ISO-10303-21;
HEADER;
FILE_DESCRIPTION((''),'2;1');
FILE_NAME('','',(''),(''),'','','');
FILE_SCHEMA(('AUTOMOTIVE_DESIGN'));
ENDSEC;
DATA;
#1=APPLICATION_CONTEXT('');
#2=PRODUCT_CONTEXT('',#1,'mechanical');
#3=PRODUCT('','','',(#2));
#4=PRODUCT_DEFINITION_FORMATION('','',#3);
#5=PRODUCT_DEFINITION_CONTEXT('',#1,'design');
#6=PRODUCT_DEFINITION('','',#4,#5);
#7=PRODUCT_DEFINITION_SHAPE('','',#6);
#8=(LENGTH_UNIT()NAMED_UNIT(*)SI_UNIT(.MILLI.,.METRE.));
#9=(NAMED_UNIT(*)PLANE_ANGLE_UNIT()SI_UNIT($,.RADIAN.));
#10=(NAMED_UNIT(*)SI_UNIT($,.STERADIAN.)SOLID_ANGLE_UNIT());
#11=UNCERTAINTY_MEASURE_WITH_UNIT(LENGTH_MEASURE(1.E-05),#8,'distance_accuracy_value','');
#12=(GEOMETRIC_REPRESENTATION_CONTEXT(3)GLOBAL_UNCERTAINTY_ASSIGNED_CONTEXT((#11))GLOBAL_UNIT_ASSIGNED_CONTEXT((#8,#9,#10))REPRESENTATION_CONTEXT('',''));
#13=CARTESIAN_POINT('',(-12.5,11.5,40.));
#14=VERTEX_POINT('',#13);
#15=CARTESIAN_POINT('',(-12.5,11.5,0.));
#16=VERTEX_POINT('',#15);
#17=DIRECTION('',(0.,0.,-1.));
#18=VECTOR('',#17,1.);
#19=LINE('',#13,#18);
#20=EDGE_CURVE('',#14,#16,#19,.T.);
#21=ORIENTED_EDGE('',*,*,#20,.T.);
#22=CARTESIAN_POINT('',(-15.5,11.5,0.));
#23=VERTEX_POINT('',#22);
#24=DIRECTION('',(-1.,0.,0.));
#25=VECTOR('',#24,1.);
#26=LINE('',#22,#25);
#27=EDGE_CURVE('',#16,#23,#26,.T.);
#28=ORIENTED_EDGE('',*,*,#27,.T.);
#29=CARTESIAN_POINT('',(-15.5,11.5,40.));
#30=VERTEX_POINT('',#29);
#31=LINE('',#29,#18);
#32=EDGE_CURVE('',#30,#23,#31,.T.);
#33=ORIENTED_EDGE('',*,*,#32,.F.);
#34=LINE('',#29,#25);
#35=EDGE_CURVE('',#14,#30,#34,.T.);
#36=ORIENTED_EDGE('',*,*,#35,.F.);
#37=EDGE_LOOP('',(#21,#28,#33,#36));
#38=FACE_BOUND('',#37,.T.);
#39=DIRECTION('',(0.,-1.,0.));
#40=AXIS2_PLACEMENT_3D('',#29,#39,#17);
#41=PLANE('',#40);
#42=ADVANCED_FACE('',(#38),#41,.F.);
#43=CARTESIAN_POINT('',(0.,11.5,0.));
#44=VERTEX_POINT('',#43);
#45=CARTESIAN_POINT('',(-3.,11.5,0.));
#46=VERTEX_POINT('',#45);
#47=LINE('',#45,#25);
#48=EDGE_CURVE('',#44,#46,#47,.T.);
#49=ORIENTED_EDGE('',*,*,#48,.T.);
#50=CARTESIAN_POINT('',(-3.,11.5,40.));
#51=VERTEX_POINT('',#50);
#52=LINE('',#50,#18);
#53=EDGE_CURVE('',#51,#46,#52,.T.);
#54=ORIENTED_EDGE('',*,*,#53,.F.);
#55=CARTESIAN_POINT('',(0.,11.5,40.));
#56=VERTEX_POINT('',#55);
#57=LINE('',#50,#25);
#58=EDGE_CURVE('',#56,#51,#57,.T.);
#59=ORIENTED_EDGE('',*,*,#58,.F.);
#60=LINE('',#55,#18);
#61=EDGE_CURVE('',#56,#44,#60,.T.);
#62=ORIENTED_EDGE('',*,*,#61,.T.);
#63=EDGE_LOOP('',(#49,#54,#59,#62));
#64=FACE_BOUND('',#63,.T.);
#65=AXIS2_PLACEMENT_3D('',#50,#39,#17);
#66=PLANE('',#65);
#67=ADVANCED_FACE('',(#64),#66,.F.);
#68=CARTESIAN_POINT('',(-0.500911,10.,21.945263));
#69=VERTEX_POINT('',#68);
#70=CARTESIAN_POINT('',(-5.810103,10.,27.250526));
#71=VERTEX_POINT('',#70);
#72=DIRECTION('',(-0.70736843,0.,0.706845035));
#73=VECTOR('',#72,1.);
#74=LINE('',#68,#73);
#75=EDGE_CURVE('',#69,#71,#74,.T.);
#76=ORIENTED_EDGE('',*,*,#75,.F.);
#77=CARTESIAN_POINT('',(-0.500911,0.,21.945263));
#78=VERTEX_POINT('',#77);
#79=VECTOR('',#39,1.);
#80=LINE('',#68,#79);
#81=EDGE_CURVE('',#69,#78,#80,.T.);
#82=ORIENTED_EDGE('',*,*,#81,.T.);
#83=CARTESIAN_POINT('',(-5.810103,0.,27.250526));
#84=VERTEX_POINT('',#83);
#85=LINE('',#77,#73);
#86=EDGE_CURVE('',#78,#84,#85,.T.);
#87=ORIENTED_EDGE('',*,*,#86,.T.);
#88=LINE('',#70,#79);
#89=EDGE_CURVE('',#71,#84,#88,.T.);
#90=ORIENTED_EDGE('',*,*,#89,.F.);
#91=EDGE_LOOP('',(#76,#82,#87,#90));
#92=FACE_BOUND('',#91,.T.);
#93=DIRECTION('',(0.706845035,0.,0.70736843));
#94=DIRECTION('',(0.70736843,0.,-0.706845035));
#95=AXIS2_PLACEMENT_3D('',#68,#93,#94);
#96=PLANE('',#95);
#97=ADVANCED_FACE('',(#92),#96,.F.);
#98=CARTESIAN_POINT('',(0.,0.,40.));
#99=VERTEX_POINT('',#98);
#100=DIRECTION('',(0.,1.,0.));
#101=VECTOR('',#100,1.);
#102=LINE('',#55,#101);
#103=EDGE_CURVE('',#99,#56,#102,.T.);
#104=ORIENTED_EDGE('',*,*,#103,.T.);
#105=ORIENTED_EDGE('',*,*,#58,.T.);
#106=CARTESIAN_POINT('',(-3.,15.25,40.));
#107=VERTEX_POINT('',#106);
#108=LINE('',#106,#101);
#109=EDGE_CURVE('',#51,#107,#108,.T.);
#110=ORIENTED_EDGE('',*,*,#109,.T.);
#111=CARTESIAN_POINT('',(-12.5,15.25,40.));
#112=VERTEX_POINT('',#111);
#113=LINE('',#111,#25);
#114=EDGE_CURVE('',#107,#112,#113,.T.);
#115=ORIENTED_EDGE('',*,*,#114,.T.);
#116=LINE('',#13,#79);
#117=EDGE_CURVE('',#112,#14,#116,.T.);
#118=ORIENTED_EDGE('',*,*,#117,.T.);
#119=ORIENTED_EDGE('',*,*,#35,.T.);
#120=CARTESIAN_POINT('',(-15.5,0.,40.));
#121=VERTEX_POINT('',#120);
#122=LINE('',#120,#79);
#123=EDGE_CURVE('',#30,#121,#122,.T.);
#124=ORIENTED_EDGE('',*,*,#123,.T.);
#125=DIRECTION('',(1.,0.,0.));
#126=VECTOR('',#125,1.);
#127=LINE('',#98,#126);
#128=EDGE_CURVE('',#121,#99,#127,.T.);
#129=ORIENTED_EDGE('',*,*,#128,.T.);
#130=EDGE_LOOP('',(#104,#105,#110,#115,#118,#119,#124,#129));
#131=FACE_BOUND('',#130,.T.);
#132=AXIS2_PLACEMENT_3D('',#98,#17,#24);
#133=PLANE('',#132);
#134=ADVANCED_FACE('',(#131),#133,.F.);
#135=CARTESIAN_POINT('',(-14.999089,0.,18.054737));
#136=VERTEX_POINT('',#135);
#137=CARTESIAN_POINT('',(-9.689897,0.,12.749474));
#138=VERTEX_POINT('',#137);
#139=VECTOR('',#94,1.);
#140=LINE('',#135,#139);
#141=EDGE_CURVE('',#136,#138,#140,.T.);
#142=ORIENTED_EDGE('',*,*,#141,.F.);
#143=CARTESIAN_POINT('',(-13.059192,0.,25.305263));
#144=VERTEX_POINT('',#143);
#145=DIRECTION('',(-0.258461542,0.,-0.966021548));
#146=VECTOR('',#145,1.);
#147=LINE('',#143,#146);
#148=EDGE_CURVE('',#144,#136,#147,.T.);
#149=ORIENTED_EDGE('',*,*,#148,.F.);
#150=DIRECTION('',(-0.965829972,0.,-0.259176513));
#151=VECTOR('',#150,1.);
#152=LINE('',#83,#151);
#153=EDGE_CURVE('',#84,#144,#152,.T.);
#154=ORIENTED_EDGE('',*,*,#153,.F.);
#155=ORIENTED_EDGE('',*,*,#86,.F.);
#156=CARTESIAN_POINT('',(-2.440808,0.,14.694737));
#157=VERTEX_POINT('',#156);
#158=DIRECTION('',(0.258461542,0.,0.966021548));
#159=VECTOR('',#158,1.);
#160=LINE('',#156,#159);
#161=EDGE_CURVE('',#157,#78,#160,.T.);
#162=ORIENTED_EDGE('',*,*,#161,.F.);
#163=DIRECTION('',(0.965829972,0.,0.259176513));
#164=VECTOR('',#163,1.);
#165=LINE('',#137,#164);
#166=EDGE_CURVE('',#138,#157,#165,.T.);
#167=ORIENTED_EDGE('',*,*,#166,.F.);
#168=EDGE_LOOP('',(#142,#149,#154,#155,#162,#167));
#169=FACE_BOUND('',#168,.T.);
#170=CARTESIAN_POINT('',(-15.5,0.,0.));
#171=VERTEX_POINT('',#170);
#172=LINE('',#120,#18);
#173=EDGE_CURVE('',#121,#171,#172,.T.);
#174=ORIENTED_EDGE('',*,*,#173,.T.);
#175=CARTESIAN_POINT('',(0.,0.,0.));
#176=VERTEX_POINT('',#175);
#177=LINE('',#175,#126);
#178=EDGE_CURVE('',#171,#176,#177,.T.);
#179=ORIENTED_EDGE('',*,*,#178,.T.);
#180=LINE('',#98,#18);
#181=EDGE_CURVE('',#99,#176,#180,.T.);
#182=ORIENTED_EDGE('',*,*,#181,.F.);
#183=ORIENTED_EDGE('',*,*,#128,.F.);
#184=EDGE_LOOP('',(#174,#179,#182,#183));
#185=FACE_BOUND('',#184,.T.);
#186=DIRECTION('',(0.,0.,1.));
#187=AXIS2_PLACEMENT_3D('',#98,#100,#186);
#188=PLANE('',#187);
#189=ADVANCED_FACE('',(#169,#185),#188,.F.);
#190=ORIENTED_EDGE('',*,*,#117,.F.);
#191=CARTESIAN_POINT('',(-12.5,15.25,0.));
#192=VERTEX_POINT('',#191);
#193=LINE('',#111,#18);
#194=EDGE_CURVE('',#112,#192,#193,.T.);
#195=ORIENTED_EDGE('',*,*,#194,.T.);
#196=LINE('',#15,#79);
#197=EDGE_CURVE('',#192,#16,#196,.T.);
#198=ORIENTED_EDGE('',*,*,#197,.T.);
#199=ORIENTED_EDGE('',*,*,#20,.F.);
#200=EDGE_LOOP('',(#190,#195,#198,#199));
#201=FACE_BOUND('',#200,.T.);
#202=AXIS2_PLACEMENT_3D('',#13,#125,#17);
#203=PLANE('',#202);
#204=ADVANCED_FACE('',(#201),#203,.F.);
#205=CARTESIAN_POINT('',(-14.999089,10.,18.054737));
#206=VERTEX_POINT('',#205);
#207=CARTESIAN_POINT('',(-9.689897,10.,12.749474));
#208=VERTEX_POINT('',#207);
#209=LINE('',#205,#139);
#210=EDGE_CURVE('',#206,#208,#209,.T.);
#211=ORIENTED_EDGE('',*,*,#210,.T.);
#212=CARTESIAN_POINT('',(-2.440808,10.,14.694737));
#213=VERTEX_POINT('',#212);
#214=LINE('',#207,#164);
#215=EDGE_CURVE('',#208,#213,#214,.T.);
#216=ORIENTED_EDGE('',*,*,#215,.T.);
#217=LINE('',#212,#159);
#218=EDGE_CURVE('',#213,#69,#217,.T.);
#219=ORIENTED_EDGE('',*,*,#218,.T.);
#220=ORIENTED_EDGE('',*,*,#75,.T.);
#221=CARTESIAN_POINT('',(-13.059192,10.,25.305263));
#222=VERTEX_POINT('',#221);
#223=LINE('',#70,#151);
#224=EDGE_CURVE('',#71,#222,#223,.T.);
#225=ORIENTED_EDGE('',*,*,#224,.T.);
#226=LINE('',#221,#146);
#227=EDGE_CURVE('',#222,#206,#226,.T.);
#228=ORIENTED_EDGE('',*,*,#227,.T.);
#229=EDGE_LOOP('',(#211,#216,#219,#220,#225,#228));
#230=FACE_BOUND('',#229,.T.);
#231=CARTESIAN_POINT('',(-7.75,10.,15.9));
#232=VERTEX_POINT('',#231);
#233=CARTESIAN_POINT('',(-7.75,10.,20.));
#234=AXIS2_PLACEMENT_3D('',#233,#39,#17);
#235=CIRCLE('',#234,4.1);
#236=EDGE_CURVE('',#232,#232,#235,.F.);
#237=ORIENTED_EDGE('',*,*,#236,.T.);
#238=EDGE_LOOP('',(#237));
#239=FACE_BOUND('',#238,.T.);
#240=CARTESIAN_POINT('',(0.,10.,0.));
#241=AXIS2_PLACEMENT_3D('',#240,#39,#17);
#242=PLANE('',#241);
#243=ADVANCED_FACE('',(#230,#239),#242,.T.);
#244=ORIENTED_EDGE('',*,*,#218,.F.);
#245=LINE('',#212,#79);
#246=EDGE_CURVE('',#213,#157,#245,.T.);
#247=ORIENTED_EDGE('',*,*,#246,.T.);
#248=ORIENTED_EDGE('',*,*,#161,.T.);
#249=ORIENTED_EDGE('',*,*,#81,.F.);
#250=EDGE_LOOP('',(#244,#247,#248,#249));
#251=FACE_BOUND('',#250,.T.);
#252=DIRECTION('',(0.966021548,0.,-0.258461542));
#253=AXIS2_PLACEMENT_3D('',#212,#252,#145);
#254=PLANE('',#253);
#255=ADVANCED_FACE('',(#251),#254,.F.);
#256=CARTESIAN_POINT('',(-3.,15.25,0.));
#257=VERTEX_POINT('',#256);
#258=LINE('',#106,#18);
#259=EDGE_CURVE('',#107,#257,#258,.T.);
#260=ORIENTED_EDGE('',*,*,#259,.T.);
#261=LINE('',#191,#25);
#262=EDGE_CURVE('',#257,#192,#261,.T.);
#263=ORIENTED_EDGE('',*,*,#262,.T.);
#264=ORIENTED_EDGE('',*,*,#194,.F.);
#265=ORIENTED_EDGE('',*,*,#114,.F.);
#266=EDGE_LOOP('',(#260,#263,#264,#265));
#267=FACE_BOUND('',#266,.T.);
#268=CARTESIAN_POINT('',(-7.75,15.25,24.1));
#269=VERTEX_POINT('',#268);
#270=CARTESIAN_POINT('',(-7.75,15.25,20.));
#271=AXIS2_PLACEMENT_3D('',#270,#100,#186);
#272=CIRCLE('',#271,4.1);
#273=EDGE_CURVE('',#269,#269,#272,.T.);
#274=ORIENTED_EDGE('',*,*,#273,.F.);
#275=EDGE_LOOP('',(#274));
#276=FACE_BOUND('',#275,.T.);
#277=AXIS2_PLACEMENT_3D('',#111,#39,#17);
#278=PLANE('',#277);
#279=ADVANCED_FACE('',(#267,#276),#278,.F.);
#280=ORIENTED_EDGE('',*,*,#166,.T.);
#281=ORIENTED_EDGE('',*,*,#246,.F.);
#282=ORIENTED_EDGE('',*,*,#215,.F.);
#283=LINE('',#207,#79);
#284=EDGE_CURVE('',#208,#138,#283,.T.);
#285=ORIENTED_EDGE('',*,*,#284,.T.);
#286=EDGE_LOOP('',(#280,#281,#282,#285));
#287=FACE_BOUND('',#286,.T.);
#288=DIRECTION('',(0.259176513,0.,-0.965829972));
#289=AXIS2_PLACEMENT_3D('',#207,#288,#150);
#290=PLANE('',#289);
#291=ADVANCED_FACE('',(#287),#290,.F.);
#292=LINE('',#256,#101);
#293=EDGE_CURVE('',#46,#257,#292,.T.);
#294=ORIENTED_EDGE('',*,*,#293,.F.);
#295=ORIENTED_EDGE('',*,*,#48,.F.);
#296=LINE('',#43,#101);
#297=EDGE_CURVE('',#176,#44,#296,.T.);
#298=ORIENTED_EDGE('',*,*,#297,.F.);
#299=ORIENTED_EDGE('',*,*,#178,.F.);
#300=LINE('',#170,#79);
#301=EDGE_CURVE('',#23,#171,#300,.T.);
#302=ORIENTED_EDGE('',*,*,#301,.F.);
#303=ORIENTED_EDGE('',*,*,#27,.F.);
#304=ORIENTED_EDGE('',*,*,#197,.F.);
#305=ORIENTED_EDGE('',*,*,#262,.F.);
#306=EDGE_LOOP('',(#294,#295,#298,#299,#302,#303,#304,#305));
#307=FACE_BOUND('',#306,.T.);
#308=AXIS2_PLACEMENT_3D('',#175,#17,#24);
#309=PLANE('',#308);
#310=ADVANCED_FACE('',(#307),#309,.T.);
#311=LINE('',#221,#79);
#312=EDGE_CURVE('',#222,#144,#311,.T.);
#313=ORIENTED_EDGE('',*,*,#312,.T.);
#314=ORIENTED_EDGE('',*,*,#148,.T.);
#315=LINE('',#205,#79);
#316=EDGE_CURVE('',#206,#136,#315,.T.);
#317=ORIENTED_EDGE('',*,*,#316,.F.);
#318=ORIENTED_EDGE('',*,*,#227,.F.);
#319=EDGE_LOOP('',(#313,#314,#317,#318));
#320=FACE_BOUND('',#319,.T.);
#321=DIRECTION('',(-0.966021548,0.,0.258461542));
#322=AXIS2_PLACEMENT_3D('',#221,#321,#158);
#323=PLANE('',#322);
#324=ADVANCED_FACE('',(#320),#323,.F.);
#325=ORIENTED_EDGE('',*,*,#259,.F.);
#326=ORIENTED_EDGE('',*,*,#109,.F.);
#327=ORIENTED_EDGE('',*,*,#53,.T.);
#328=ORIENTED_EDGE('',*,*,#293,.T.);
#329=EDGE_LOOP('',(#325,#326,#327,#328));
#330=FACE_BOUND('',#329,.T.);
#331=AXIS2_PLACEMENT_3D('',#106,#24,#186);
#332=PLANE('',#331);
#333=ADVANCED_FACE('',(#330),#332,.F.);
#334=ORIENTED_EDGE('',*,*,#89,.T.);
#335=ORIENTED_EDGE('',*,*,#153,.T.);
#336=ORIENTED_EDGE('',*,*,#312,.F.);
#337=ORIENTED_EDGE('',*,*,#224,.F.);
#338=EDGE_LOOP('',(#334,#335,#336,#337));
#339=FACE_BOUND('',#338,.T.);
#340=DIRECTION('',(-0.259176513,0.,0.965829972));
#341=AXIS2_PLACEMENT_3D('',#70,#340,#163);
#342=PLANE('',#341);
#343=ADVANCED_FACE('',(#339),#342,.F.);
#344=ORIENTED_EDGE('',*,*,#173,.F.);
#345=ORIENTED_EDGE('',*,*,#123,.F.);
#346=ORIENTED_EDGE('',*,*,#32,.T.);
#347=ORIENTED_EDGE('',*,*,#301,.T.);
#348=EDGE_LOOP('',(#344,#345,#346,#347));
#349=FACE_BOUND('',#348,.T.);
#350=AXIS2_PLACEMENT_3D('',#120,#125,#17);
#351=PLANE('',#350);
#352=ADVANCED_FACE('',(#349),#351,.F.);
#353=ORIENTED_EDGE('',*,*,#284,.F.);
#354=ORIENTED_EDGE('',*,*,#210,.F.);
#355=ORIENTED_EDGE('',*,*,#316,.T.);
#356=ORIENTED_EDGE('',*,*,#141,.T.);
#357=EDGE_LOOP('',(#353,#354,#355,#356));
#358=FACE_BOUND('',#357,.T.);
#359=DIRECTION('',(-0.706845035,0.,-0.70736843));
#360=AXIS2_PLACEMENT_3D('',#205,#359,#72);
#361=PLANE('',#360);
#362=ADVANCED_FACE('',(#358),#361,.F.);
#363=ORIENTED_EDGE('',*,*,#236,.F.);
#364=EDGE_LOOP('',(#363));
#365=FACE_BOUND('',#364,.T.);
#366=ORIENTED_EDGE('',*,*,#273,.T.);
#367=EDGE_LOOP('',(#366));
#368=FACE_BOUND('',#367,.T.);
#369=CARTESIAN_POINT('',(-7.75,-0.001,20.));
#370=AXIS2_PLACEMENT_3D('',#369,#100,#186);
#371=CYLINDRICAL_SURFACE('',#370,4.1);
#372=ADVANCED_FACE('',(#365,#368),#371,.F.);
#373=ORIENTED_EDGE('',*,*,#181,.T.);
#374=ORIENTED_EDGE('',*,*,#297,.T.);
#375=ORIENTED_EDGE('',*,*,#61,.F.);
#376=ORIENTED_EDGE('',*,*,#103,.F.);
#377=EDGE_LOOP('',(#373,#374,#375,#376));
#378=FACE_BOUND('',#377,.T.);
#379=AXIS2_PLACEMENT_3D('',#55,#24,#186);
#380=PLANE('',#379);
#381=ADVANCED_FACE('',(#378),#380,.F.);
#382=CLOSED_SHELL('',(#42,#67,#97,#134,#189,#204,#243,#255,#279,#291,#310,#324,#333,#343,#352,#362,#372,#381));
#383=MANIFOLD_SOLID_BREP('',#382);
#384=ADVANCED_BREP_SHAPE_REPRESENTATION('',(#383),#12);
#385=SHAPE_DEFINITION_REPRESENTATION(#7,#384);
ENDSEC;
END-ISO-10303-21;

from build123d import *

# Parameters (mm, degrees)
BOSS_EXTRUDE1_DEPTH = 40
CUT_EXTRUDE1_REACH  = 17.25
SKETCH2_R           = 4.1
CUT_EXTRUDE2_DEPTH  = 10


with BuildPart() as part:
    # Sketch1 → Boss-Extrude1 (new body)
    with BuildSketch(Plane(origin=(0, 0, 0), x_dir=(0, 1, 0), z_dir=(0, 0, 1))):
        Polygon((0, 0), (0, 15.5), (11.5, 15.5), (11.5, 12.5), (15.25, 12.5), (15.25, 3), (11.5, 3), (11.5, 0), align=None)
    extrude(amount=BOSS_EXTRUDE1_DEPTH)

    # Sketch2 → Cut-Extrude1 (cut, up to next)
    with BuildSketch(Plane(origin=(0, 15.25, 0), x_dir=(-1, 0, 0), z_dir=(0, 1, 0)), mode=Mode.PRIVATE) as cut_extrude1_sk1:
        with Locations((7.75, 20)):
            Circle(SKETCH2_R)
    cut_extrude1_tool1 = extrude(cut_extrude1_sk1.sketch, amount=-CUT_EXTRUDE1_REACH, mode=Mode.PRIVATE) & part.part
    add(cut_extrude1_tool1.solids().sort_by_distance((-7.75, 15.25, 20))[0], mode=Mode.SUBTRACT)

    # Sketch3 → Cut-Extrude2 (cut)
    with BuildSketch(Plane(origin=(0, 0, 0), x_dir=(-1, 0, 0), z_dir=(0, -1, 0))):
        Polygon((2.440808402, -14.694736773), (0.500911472, -21.945263183), (5.81010307, -27.250526411), (13.059191598, -25.305263227), (14.999088528, -18.054736817), (9.68989693, -12.749473589), align=None)
    extrude(amount=-CUT_EXTRUDE2_DEPTH, mode=Mode.SUBTRACT)


solid = part.part
